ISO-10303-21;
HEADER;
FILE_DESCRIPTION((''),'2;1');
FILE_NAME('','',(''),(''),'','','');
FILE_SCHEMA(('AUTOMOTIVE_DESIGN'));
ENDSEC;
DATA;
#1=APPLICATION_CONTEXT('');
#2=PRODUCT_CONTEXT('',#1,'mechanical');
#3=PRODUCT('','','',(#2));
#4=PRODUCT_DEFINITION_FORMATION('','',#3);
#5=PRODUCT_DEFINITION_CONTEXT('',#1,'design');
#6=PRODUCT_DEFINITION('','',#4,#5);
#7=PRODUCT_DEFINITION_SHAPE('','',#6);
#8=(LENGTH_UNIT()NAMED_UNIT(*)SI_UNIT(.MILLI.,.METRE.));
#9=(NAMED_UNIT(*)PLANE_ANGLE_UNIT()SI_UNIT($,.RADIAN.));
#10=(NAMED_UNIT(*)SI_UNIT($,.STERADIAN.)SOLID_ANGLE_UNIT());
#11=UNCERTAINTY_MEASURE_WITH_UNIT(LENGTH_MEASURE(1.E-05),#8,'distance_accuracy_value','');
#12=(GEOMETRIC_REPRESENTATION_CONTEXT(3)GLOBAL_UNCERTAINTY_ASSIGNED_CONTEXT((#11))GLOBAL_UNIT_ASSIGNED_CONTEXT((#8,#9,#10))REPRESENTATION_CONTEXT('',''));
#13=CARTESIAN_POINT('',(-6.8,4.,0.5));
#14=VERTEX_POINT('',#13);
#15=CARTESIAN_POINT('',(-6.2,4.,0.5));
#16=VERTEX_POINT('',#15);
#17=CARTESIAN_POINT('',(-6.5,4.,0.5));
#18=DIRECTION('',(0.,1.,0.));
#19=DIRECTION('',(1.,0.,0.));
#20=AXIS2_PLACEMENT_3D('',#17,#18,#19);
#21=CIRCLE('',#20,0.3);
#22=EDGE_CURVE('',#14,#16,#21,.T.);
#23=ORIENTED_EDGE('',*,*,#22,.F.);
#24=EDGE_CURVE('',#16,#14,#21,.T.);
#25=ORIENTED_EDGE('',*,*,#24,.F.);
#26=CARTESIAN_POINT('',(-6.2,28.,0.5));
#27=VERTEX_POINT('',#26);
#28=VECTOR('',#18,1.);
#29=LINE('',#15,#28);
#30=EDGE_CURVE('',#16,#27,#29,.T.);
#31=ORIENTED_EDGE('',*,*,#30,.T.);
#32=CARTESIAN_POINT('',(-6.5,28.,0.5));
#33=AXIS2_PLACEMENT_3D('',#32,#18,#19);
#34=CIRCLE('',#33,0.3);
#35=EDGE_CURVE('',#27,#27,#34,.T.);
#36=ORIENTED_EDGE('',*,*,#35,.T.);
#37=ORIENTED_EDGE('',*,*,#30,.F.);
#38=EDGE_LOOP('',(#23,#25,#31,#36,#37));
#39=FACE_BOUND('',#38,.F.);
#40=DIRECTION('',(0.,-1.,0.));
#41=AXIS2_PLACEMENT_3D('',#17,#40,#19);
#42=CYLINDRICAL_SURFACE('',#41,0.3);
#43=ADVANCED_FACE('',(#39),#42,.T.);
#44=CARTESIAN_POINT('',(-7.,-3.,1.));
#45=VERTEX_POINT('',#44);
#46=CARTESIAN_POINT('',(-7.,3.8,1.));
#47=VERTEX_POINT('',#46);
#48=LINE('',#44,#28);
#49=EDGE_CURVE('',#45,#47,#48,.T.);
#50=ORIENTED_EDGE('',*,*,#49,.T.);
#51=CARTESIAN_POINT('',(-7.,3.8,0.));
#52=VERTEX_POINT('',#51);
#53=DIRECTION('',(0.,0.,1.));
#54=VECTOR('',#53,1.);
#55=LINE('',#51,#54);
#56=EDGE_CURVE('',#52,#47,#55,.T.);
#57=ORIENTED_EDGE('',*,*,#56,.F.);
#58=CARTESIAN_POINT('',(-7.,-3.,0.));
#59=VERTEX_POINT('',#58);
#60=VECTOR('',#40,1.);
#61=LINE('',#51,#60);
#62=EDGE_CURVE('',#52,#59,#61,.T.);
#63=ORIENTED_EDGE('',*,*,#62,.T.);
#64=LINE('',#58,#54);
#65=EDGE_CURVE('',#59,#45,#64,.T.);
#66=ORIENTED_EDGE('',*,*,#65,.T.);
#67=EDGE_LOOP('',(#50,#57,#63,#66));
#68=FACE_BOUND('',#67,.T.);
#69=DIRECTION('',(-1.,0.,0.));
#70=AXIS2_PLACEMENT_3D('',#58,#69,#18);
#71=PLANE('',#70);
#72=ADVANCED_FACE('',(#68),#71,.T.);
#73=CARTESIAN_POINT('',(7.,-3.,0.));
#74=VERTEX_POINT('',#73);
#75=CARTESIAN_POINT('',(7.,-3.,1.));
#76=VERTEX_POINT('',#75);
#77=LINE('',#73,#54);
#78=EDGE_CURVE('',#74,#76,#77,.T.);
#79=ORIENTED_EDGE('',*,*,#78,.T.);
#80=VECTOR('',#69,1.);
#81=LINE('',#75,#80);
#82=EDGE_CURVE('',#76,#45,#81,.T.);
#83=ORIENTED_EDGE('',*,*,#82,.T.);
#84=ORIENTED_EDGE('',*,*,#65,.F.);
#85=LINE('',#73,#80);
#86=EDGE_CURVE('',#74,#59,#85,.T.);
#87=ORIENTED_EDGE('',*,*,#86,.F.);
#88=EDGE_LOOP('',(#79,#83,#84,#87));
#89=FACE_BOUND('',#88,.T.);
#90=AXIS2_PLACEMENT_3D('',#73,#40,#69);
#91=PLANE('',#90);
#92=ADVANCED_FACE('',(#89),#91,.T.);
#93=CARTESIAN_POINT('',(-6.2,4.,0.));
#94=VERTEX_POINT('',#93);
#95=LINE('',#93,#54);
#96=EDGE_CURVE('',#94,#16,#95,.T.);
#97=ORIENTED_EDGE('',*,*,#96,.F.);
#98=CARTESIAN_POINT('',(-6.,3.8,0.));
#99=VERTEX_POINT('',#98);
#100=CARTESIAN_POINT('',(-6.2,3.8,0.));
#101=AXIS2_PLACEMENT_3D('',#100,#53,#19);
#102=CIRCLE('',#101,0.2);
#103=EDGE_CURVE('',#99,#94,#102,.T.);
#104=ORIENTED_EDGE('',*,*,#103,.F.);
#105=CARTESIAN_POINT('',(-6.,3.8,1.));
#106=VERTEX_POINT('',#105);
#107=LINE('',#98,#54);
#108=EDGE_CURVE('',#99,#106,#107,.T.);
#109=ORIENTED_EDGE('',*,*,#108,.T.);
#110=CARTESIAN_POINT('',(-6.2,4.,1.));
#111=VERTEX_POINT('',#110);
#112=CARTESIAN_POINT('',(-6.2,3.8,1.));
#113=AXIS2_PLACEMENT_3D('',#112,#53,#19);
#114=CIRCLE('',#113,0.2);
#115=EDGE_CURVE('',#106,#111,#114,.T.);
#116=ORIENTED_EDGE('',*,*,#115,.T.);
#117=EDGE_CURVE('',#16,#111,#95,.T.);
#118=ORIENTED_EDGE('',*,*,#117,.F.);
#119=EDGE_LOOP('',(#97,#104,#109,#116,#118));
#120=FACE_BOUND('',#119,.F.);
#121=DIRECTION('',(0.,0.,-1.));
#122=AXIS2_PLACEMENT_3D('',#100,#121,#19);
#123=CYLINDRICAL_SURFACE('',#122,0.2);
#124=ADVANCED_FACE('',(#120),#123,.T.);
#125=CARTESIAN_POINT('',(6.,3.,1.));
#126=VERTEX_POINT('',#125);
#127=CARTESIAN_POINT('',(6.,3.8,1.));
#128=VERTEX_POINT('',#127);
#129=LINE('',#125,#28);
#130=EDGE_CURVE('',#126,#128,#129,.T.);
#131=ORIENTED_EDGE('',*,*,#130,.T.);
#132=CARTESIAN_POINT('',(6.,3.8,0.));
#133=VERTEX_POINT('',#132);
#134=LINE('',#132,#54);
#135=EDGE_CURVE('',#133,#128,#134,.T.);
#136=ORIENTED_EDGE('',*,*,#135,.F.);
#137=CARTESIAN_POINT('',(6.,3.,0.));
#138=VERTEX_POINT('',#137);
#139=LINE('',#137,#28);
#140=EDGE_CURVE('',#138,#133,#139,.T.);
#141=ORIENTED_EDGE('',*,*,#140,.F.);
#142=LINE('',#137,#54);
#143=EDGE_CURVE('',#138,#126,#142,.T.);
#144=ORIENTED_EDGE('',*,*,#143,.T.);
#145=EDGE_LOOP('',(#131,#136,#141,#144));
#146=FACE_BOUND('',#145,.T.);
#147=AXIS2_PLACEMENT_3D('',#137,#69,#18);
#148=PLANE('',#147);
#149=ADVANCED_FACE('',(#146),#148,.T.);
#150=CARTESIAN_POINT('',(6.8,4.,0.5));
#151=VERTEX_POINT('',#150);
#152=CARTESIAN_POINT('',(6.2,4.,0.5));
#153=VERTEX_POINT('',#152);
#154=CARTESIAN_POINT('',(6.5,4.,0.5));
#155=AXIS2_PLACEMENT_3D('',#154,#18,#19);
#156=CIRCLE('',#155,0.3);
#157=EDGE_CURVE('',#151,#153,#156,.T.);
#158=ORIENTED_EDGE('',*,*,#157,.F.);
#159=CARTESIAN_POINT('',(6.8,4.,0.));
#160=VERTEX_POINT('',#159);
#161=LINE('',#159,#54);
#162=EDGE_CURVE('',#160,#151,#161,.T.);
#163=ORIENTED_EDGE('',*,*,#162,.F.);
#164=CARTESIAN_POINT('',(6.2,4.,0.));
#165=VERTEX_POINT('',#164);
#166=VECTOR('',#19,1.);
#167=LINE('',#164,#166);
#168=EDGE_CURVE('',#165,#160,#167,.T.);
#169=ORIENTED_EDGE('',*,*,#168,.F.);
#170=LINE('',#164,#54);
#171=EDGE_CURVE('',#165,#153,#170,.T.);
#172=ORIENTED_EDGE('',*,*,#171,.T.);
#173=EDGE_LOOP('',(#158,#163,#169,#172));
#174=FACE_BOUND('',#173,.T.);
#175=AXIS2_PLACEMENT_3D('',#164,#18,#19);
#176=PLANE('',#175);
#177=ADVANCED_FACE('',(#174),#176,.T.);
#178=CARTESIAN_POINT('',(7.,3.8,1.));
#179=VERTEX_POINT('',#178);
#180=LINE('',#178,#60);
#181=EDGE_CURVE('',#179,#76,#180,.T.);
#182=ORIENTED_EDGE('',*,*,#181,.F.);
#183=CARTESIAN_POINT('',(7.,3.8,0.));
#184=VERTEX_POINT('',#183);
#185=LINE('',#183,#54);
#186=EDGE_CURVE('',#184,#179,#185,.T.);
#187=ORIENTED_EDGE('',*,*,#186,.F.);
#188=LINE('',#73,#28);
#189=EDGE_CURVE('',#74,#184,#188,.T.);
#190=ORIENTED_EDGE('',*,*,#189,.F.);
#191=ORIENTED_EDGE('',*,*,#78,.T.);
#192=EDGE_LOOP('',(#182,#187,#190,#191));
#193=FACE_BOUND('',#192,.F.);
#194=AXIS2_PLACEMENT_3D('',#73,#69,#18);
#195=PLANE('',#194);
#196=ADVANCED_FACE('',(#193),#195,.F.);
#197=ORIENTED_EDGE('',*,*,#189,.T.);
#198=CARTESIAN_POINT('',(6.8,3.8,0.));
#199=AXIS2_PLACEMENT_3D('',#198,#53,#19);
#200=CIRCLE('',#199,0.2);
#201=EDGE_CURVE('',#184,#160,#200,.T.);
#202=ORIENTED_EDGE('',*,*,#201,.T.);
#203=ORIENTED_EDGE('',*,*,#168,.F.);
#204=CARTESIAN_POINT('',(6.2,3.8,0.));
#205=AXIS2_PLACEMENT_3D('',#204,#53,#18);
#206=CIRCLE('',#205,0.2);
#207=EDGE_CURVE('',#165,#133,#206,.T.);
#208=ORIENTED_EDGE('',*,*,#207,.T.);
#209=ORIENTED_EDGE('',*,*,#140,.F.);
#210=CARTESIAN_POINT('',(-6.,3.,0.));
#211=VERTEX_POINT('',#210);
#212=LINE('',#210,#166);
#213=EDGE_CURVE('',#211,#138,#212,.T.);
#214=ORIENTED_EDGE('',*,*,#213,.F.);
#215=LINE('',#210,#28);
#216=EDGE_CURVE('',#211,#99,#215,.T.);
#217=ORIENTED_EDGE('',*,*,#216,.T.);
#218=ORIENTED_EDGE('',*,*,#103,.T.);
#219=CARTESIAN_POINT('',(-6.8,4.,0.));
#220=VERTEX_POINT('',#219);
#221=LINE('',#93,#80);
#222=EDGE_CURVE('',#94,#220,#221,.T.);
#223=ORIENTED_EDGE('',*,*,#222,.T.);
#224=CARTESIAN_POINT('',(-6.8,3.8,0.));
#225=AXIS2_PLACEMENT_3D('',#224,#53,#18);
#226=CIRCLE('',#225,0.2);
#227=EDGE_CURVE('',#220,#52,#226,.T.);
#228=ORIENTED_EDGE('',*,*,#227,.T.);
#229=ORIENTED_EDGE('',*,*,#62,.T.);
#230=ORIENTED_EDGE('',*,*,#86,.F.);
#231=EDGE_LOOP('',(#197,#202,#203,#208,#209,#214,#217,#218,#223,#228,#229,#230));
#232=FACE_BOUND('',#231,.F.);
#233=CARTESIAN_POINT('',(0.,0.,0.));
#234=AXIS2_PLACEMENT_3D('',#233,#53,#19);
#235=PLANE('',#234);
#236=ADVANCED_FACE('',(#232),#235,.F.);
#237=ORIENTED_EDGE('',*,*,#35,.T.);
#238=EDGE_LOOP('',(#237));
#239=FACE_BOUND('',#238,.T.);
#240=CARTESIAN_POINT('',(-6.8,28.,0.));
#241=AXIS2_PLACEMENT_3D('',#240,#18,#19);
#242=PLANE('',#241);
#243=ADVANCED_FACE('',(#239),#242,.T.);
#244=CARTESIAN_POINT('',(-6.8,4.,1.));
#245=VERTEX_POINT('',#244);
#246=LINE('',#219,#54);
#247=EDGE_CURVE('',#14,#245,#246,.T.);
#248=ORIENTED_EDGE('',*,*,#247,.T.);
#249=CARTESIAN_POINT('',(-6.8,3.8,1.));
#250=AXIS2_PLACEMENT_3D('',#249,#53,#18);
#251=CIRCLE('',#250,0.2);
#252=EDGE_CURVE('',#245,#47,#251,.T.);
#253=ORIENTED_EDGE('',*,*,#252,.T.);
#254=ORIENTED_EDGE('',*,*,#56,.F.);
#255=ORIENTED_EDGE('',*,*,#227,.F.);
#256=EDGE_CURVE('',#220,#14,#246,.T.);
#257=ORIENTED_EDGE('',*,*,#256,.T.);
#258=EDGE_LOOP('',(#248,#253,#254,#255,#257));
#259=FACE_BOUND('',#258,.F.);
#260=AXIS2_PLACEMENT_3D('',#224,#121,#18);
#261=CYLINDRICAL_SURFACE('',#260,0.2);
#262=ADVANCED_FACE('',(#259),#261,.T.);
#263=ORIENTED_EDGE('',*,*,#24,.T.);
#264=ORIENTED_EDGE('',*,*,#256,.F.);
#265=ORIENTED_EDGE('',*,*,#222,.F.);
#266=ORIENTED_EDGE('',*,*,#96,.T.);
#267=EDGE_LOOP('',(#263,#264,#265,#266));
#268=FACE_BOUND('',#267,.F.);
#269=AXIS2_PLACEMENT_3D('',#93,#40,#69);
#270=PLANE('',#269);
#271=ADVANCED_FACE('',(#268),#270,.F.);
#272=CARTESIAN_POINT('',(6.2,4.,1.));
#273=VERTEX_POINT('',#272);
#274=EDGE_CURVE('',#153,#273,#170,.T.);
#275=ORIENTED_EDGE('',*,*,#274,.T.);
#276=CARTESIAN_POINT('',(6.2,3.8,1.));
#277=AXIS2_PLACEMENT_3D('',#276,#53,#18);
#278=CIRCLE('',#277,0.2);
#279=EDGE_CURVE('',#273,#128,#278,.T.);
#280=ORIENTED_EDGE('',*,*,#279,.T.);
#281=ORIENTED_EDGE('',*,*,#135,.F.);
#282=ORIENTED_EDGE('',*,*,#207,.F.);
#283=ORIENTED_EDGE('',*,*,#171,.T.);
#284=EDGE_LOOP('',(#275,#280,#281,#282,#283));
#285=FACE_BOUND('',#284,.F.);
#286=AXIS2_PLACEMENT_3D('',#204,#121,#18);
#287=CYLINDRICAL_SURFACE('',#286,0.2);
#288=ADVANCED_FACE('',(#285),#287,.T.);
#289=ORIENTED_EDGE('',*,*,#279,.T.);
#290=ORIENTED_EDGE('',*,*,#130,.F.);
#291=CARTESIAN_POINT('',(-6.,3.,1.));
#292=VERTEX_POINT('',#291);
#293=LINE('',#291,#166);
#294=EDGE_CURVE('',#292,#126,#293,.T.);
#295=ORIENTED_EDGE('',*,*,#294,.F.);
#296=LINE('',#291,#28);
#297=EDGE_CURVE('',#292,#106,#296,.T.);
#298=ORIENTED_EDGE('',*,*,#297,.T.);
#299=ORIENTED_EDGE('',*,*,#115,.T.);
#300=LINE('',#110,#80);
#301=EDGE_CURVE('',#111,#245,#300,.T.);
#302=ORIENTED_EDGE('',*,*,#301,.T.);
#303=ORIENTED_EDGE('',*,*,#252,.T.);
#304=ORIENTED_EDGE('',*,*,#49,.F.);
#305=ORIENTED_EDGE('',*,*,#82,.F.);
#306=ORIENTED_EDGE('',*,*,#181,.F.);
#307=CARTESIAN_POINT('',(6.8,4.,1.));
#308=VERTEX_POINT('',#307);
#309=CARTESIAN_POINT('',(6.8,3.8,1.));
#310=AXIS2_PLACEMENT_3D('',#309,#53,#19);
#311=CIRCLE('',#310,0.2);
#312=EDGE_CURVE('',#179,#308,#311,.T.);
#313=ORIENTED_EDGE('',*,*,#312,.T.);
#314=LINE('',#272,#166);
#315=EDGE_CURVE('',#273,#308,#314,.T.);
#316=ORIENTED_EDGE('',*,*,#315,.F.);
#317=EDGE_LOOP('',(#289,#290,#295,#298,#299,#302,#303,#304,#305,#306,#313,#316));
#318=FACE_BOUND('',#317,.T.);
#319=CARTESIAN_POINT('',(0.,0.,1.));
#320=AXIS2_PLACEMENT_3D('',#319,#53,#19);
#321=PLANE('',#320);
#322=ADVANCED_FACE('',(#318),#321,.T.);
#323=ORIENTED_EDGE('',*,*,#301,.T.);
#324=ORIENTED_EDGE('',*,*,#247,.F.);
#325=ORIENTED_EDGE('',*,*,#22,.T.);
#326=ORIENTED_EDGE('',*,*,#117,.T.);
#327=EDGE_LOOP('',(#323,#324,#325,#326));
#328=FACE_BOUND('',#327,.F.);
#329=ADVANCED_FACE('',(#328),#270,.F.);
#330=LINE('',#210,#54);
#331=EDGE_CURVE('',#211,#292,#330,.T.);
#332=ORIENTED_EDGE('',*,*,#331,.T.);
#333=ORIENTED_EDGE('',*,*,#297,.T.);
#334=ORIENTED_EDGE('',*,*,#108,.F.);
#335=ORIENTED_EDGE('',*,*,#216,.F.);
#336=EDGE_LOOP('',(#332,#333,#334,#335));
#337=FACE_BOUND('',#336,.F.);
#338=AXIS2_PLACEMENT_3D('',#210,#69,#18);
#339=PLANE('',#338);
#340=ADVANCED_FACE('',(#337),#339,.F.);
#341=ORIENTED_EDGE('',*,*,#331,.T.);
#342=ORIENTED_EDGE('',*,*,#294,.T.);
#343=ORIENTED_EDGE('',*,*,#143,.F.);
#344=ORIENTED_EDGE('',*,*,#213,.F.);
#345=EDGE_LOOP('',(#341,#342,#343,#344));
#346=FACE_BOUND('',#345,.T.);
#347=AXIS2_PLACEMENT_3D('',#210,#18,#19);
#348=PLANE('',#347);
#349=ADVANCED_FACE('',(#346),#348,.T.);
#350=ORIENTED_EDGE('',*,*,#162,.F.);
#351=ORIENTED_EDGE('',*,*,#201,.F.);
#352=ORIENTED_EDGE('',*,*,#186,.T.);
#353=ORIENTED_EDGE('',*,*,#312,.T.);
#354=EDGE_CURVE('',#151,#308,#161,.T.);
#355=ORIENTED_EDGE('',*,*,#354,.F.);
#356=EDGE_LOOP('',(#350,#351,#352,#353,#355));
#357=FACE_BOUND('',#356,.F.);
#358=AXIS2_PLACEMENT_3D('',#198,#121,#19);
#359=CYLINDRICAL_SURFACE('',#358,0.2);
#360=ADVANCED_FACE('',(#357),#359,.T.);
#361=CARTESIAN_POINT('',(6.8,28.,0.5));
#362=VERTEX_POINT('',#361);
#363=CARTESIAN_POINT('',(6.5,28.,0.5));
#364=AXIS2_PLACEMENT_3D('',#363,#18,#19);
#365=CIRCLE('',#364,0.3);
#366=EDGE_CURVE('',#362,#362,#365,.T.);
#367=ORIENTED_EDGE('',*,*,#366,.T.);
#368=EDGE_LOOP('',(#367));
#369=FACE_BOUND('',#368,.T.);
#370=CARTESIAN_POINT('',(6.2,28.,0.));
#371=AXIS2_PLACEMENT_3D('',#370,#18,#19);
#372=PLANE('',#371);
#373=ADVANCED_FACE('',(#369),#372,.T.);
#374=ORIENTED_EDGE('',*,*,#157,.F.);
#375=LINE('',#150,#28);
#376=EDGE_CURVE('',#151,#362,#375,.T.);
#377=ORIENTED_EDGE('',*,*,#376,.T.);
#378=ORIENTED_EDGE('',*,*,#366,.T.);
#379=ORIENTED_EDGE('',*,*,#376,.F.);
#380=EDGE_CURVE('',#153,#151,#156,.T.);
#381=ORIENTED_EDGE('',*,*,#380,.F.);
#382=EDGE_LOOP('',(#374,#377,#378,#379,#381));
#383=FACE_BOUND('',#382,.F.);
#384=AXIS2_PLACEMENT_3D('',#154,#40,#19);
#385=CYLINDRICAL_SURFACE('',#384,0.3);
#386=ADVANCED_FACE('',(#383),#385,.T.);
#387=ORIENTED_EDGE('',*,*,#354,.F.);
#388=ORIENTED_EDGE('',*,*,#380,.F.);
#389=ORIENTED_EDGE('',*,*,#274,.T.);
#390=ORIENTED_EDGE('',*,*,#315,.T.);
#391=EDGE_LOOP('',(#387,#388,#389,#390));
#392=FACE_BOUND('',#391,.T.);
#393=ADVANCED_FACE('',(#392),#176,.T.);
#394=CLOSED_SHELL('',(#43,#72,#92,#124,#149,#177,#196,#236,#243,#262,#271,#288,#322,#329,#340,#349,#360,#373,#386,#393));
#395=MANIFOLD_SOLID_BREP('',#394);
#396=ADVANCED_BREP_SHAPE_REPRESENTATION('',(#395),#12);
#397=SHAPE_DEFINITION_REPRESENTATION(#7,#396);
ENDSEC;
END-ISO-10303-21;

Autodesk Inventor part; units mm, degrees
ref_plane "YZ Plane" through (0, 0, 0) normal (1, 0, 0) x (0, 1, 0)
ref_plane "XZ Plane" through (0, 0, 0) normal (0, 1, 0) x (-1, 0, 0)
ref_plane "XY Plane" through (0, 0, 0) normal (0, 0, 1) x (1, 0, 0)
sketch "Sketch2" plane through (0, 0, 0) normal (0, 0, 1) x (1, 0, 0)
  line L0 (7, -3) -> (7, 3)
  line L1 (7, -3) -> (-7, -3)
  line L2 (-7, -3) -> (-7, 3)
  line L3 (6, 3) -> (6, 3.8)
  line L4 (6.2, 4) -> (6.8, 4)
  line L5 (7, 3.8) -> (7, 3)
  line L6 (-6, 3) -> (-6, 3.8)
  line L7 (-6.2, 4) -> (-6.8, 4)
  line L8 (-7, 3.8) -> (-7, 3)
  line L9 (-6, 3) -> (6, 3)
  line L10 (7, 3) -> (7.3028, 3)
  line L11 (-7, 3) -> (-7.3058, 3)
  arc A0 (-6, 3.8) -> (-6.2, 4) centre (-6.2, 3.8) ccw
  arc A1 (-6.8, 4) -> (-7, 3.8) centre (-6.8, 3.8) ccw
  arc A2 (6.2, 4) -> (6, 3.8) centre (6.2, 3.8) ccw
  arc A3 (7, 3.8) -> (6.8, 4) centre (6.8, 3.8) ccw
  point P0 (0, 0)
  dimension "d5" = 14
  dimension "d6" = 6
extrude "Extrusion1" add sketch "Sketch2" along normal blind 1
sketch "Sketch3" plane through (-6.8, 4, 0) normal (0, 1, 0) x (1, 0, 0)
  circle A0 centre (0.3, -0.5) radius 0.3
  point P0 (6.8, 0)
  dimension "d9" = 0.6
sketch "Sketch4" plane through (6.2, 4, 0) normal (0, 1, 0) x (1, 0, 0)
  circle A0 centre (0.3, -0.5) radius 0.3
  point P0 (-6.2, 0)
  dimension "d10" = 0.6
extrude "Extrusion2" add sketch "Sketch4" along normal blind 24
extrude "Extrusion3" add sketch "Sketch3" along normal blind 24
equation "\"BendRadius\" = Thickness"
equation "\"BendReliefWidth\" = Thickness"
equation "\"BendReliefDepth\" = 0.5 * Thickness"
equation "\"CornerReliefSize\" = 4 * Thickness"
equation "\"MinimumRemnant\" = 2 * Thickness"
equation "\"TransitionRadius\" = BendRadius"
equation "\"JacobiRadiusSize\" = BendRadius"
equation "\"GapSize\" = Thickness"
equation "\"Thickness\" = 3.048"
properties part number "K71-6"
